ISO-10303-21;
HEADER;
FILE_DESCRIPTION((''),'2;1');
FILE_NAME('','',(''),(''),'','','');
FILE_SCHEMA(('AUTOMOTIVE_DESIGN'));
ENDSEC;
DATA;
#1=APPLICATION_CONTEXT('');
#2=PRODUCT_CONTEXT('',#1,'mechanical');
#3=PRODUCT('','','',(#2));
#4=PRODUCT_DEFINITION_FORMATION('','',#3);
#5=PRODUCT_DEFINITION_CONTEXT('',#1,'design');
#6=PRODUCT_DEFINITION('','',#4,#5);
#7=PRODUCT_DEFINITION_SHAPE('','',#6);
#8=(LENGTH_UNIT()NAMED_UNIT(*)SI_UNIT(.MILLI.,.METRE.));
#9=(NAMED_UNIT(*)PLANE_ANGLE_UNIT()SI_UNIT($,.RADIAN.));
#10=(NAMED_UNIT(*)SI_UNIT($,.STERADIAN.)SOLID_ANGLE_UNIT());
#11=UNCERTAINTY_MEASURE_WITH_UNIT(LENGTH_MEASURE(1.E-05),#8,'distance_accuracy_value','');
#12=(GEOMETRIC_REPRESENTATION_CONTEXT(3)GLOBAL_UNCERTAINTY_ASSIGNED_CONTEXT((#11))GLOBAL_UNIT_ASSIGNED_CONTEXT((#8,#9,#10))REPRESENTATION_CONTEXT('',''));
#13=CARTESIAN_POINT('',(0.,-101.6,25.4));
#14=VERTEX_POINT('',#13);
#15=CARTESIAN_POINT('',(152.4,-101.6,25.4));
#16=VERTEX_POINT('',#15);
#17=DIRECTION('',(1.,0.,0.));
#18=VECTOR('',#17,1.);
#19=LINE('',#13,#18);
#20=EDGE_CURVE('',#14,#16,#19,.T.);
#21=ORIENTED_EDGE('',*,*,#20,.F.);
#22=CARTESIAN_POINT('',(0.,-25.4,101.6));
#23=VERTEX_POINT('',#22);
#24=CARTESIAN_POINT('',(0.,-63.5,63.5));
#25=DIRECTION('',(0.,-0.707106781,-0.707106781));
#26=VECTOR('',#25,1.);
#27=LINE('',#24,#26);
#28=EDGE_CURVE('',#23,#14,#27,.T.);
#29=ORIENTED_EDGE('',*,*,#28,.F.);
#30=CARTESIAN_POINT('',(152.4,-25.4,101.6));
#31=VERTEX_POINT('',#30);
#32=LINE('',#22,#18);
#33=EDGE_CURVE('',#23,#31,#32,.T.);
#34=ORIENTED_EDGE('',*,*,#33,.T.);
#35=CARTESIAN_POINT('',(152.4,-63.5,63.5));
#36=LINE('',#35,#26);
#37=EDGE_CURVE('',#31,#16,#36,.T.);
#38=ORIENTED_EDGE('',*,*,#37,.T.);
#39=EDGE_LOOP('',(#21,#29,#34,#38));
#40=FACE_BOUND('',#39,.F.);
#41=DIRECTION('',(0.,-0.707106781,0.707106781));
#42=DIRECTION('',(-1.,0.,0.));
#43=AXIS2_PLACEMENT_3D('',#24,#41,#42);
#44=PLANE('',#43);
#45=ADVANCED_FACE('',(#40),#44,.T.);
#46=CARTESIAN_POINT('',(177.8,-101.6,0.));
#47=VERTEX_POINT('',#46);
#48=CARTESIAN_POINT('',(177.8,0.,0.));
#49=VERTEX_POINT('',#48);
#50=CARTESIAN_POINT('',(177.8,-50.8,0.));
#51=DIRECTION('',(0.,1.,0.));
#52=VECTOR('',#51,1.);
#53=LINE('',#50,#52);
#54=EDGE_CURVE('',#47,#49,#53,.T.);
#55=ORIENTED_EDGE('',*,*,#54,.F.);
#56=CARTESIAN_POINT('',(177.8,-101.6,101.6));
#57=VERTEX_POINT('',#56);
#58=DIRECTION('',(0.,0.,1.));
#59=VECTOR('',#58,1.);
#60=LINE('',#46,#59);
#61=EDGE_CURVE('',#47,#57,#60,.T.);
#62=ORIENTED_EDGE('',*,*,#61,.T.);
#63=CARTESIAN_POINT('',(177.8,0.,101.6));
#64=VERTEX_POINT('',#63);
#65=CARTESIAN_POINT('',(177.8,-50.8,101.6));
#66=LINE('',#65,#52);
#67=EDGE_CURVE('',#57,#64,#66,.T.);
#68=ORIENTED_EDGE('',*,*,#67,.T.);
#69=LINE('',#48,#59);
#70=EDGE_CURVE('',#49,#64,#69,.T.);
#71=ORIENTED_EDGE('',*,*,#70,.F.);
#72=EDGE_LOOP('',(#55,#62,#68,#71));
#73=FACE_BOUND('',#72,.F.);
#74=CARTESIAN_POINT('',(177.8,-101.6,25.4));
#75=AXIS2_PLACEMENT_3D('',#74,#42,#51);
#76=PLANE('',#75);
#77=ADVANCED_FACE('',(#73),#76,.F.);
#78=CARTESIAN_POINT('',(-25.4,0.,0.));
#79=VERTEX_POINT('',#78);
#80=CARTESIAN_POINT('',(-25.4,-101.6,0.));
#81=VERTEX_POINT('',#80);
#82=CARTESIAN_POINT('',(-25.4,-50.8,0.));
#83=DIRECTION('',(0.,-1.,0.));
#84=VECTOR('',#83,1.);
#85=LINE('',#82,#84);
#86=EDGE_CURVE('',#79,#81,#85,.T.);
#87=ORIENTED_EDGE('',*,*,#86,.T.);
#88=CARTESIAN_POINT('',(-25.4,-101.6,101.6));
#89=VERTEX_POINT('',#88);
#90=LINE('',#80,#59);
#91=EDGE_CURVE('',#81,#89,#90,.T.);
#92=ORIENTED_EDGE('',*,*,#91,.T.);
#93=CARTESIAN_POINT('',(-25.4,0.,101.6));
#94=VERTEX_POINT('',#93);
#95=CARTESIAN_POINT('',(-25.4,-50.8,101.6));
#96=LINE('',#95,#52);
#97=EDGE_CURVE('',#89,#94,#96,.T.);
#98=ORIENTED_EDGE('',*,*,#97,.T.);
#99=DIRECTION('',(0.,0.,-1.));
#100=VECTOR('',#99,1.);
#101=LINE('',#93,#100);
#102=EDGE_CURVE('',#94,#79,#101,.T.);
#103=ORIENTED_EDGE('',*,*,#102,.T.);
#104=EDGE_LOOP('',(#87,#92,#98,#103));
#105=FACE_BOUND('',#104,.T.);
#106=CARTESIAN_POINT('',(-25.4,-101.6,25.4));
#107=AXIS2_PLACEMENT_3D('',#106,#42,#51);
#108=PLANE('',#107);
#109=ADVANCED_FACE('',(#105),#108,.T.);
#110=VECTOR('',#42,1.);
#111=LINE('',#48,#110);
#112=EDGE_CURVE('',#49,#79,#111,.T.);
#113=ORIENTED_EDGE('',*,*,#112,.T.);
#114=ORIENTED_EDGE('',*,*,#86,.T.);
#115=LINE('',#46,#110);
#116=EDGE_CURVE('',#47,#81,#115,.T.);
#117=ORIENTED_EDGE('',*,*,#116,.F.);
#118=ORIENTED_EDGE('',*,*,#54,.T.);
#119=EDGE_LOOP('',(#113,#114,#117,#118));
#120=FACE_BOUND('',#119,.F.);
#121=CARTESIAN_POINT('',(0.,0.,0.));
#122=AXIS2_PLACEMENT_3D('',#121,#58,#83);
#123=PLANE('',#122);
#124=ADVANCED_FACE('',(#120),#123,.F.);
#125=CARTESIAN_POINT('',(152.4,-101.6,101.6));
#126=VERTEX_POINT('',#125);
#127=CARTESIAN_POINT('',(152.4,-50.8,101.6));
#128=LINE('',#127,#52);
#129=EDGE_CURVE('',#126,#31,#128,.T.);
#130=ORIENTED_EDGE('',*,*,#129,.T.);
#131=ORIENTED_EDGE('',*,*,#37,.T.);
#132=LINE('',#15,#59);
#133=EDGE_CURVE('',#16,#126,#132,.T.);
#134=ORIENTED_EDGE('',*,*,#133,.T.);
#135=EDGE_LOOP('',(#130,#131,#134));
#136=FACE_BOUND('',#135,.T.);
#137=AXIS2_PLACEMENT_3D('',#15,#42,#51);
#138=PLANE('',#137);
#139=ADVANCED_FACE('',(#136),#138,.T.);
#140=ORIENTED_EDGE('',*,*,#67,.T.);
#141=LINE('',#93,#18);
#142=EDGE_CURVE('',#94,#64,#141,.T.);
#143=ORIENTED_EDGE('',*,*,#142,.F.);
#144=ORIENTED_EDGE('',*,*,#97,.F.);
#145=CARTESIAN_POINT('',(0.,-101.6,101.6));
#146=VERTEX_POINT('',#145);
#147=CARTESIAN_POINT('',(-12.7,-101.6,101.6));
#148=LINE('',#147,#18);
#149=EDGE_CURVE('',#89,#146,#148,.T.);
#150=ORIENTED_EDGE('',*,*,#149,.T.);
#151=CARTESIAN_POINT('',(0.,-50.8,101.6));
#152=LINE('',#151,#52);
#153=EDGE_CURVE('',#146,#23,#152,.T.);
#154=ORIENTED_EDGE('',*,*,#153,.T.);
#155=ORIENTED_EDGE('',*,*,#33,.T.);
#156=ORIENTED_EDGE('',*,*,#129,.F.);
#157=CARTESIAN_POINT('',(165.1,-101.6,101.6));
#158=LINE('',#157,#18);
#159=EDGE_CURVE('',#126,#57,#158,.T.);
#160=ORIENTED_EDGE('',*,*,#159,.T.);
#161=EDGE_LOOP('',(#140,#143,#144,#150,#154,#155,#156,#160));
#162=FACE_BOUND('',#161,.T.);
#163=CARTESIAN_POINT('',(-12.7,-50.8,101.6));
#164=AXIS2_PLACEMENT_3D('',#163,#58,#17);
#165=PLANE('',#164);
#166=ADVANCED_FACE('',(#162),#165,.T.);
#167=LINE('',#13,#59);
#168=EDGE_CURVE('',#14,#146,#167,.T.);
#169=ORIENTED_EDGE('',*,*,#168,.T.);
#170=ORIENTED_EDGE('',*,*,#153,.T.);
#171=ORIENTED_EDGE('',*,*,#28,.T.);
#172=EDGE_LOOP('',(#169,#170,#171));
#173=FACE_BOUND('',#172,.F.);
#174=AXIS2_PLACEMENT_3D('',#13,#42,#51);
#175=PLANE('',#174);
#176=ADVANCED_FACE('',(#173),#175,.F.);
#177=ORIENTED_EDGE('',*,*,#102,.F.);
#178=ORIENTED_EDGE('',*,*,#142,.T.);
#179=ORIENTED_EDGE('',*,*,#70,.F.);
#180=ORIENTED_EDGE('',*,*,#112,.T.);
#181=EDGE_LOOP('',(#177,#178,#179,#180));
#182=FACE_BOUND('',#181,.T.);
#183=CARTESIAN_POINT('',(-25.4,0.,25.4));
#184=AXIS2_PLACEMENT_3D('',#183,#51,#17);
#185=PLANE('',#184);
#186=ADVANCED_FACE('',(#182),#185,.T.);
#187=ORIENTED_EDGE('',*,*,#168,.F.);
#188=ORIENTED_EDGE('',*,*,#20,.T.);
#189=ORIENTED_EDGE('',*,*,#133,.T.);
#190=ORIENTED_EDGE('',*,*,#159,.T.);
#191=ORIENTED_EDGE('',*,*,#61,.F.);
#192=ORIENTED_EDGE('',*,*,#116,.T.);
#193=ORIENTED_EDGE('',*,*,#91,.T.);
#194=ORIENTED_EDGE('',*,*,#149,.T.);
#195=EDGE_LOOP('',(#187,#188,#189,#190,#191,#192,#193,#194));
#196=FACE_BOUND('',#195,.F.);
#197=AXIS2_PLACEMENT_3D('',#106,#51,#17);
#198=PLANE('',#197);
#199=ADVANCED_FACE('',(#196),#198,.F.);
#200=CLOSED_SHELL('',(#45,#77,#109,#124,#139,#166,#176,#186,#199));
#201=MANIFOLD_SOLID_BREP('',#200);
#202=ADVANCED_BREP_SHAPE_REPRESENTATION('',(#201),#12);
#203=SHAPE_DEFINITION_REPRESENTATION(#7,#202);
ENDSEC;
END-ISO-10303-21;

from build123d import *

# Parameters (mm, degrees)
F0_W      = 152.4
F0_H      = 101.6
F1_DEPTH  = 101.6
F2_SIZE   = 76.2
F3_W      = 101.6
F3_H      = 25.4
F4_DEPTH  = 25.4
F5_W      = 25.4
F5_H      = 101.6
F6_DEPTH  = 76.2
F7_W      = 101.6
F7_H      = 25.4
F8_DEPTH  = 25.4
F9_W      = 25.4
F9_H      = 101.6
F10_DEPTH = 76.2


with BuildPart() as f1:
    # F0 (on Front) → F1 (new body)
    with BuildSketch(Plane.XZ):
        with Locations((76.2, 50.8)):
            Rectangle(F0_W, F0_H)
    extrude(amount=F1_DEPTH)

    # F2
    f2_edges = [f1.edges().sort_by_distance(p)[0] for p in [
        (76.2, -101.6, 101.6),
    ]]
    chamfer(f2_edges, length=F2_SIZE)

    # F3 (on face) → F4 (join)
    with BuildSketch(Plane.YZ.offset(152.4)):
        with Locations((-50.8, 12.7)):
            Rectangle(F3_W, F3_H)
    extrude(amount=F4_DEPTH)

    # F5 (on face) → F6 (join)
    with BuildSketch(Plane.XY.offset(25.4)):
        with Locations((165.1, -50.8)):
            Rectangle(F5_W, F5_H)
    extrude(amount=F6_DEPTH)

    # F7 (on face) → F8 (join)
    with BuildSketch(Plane(origin=(0, 0, 0), x_dir=(0, -1, 0), z_dir=(-1, 0, 0))):
        with Locations((50.8, 12.7)):
            Rectangle(F7_W, F7_H)
    extrude(amount=F8_DEPTH)

    # F9 (on face) → F10 (join)
    with BuildSketch(Plane.XY.offset(25.4)):
        with Locations((-12.7, -50.8)):
            Rectangle(F9_W, F9_H)
    extrude(amount=F10_DEPTH)


solid = f1.part
